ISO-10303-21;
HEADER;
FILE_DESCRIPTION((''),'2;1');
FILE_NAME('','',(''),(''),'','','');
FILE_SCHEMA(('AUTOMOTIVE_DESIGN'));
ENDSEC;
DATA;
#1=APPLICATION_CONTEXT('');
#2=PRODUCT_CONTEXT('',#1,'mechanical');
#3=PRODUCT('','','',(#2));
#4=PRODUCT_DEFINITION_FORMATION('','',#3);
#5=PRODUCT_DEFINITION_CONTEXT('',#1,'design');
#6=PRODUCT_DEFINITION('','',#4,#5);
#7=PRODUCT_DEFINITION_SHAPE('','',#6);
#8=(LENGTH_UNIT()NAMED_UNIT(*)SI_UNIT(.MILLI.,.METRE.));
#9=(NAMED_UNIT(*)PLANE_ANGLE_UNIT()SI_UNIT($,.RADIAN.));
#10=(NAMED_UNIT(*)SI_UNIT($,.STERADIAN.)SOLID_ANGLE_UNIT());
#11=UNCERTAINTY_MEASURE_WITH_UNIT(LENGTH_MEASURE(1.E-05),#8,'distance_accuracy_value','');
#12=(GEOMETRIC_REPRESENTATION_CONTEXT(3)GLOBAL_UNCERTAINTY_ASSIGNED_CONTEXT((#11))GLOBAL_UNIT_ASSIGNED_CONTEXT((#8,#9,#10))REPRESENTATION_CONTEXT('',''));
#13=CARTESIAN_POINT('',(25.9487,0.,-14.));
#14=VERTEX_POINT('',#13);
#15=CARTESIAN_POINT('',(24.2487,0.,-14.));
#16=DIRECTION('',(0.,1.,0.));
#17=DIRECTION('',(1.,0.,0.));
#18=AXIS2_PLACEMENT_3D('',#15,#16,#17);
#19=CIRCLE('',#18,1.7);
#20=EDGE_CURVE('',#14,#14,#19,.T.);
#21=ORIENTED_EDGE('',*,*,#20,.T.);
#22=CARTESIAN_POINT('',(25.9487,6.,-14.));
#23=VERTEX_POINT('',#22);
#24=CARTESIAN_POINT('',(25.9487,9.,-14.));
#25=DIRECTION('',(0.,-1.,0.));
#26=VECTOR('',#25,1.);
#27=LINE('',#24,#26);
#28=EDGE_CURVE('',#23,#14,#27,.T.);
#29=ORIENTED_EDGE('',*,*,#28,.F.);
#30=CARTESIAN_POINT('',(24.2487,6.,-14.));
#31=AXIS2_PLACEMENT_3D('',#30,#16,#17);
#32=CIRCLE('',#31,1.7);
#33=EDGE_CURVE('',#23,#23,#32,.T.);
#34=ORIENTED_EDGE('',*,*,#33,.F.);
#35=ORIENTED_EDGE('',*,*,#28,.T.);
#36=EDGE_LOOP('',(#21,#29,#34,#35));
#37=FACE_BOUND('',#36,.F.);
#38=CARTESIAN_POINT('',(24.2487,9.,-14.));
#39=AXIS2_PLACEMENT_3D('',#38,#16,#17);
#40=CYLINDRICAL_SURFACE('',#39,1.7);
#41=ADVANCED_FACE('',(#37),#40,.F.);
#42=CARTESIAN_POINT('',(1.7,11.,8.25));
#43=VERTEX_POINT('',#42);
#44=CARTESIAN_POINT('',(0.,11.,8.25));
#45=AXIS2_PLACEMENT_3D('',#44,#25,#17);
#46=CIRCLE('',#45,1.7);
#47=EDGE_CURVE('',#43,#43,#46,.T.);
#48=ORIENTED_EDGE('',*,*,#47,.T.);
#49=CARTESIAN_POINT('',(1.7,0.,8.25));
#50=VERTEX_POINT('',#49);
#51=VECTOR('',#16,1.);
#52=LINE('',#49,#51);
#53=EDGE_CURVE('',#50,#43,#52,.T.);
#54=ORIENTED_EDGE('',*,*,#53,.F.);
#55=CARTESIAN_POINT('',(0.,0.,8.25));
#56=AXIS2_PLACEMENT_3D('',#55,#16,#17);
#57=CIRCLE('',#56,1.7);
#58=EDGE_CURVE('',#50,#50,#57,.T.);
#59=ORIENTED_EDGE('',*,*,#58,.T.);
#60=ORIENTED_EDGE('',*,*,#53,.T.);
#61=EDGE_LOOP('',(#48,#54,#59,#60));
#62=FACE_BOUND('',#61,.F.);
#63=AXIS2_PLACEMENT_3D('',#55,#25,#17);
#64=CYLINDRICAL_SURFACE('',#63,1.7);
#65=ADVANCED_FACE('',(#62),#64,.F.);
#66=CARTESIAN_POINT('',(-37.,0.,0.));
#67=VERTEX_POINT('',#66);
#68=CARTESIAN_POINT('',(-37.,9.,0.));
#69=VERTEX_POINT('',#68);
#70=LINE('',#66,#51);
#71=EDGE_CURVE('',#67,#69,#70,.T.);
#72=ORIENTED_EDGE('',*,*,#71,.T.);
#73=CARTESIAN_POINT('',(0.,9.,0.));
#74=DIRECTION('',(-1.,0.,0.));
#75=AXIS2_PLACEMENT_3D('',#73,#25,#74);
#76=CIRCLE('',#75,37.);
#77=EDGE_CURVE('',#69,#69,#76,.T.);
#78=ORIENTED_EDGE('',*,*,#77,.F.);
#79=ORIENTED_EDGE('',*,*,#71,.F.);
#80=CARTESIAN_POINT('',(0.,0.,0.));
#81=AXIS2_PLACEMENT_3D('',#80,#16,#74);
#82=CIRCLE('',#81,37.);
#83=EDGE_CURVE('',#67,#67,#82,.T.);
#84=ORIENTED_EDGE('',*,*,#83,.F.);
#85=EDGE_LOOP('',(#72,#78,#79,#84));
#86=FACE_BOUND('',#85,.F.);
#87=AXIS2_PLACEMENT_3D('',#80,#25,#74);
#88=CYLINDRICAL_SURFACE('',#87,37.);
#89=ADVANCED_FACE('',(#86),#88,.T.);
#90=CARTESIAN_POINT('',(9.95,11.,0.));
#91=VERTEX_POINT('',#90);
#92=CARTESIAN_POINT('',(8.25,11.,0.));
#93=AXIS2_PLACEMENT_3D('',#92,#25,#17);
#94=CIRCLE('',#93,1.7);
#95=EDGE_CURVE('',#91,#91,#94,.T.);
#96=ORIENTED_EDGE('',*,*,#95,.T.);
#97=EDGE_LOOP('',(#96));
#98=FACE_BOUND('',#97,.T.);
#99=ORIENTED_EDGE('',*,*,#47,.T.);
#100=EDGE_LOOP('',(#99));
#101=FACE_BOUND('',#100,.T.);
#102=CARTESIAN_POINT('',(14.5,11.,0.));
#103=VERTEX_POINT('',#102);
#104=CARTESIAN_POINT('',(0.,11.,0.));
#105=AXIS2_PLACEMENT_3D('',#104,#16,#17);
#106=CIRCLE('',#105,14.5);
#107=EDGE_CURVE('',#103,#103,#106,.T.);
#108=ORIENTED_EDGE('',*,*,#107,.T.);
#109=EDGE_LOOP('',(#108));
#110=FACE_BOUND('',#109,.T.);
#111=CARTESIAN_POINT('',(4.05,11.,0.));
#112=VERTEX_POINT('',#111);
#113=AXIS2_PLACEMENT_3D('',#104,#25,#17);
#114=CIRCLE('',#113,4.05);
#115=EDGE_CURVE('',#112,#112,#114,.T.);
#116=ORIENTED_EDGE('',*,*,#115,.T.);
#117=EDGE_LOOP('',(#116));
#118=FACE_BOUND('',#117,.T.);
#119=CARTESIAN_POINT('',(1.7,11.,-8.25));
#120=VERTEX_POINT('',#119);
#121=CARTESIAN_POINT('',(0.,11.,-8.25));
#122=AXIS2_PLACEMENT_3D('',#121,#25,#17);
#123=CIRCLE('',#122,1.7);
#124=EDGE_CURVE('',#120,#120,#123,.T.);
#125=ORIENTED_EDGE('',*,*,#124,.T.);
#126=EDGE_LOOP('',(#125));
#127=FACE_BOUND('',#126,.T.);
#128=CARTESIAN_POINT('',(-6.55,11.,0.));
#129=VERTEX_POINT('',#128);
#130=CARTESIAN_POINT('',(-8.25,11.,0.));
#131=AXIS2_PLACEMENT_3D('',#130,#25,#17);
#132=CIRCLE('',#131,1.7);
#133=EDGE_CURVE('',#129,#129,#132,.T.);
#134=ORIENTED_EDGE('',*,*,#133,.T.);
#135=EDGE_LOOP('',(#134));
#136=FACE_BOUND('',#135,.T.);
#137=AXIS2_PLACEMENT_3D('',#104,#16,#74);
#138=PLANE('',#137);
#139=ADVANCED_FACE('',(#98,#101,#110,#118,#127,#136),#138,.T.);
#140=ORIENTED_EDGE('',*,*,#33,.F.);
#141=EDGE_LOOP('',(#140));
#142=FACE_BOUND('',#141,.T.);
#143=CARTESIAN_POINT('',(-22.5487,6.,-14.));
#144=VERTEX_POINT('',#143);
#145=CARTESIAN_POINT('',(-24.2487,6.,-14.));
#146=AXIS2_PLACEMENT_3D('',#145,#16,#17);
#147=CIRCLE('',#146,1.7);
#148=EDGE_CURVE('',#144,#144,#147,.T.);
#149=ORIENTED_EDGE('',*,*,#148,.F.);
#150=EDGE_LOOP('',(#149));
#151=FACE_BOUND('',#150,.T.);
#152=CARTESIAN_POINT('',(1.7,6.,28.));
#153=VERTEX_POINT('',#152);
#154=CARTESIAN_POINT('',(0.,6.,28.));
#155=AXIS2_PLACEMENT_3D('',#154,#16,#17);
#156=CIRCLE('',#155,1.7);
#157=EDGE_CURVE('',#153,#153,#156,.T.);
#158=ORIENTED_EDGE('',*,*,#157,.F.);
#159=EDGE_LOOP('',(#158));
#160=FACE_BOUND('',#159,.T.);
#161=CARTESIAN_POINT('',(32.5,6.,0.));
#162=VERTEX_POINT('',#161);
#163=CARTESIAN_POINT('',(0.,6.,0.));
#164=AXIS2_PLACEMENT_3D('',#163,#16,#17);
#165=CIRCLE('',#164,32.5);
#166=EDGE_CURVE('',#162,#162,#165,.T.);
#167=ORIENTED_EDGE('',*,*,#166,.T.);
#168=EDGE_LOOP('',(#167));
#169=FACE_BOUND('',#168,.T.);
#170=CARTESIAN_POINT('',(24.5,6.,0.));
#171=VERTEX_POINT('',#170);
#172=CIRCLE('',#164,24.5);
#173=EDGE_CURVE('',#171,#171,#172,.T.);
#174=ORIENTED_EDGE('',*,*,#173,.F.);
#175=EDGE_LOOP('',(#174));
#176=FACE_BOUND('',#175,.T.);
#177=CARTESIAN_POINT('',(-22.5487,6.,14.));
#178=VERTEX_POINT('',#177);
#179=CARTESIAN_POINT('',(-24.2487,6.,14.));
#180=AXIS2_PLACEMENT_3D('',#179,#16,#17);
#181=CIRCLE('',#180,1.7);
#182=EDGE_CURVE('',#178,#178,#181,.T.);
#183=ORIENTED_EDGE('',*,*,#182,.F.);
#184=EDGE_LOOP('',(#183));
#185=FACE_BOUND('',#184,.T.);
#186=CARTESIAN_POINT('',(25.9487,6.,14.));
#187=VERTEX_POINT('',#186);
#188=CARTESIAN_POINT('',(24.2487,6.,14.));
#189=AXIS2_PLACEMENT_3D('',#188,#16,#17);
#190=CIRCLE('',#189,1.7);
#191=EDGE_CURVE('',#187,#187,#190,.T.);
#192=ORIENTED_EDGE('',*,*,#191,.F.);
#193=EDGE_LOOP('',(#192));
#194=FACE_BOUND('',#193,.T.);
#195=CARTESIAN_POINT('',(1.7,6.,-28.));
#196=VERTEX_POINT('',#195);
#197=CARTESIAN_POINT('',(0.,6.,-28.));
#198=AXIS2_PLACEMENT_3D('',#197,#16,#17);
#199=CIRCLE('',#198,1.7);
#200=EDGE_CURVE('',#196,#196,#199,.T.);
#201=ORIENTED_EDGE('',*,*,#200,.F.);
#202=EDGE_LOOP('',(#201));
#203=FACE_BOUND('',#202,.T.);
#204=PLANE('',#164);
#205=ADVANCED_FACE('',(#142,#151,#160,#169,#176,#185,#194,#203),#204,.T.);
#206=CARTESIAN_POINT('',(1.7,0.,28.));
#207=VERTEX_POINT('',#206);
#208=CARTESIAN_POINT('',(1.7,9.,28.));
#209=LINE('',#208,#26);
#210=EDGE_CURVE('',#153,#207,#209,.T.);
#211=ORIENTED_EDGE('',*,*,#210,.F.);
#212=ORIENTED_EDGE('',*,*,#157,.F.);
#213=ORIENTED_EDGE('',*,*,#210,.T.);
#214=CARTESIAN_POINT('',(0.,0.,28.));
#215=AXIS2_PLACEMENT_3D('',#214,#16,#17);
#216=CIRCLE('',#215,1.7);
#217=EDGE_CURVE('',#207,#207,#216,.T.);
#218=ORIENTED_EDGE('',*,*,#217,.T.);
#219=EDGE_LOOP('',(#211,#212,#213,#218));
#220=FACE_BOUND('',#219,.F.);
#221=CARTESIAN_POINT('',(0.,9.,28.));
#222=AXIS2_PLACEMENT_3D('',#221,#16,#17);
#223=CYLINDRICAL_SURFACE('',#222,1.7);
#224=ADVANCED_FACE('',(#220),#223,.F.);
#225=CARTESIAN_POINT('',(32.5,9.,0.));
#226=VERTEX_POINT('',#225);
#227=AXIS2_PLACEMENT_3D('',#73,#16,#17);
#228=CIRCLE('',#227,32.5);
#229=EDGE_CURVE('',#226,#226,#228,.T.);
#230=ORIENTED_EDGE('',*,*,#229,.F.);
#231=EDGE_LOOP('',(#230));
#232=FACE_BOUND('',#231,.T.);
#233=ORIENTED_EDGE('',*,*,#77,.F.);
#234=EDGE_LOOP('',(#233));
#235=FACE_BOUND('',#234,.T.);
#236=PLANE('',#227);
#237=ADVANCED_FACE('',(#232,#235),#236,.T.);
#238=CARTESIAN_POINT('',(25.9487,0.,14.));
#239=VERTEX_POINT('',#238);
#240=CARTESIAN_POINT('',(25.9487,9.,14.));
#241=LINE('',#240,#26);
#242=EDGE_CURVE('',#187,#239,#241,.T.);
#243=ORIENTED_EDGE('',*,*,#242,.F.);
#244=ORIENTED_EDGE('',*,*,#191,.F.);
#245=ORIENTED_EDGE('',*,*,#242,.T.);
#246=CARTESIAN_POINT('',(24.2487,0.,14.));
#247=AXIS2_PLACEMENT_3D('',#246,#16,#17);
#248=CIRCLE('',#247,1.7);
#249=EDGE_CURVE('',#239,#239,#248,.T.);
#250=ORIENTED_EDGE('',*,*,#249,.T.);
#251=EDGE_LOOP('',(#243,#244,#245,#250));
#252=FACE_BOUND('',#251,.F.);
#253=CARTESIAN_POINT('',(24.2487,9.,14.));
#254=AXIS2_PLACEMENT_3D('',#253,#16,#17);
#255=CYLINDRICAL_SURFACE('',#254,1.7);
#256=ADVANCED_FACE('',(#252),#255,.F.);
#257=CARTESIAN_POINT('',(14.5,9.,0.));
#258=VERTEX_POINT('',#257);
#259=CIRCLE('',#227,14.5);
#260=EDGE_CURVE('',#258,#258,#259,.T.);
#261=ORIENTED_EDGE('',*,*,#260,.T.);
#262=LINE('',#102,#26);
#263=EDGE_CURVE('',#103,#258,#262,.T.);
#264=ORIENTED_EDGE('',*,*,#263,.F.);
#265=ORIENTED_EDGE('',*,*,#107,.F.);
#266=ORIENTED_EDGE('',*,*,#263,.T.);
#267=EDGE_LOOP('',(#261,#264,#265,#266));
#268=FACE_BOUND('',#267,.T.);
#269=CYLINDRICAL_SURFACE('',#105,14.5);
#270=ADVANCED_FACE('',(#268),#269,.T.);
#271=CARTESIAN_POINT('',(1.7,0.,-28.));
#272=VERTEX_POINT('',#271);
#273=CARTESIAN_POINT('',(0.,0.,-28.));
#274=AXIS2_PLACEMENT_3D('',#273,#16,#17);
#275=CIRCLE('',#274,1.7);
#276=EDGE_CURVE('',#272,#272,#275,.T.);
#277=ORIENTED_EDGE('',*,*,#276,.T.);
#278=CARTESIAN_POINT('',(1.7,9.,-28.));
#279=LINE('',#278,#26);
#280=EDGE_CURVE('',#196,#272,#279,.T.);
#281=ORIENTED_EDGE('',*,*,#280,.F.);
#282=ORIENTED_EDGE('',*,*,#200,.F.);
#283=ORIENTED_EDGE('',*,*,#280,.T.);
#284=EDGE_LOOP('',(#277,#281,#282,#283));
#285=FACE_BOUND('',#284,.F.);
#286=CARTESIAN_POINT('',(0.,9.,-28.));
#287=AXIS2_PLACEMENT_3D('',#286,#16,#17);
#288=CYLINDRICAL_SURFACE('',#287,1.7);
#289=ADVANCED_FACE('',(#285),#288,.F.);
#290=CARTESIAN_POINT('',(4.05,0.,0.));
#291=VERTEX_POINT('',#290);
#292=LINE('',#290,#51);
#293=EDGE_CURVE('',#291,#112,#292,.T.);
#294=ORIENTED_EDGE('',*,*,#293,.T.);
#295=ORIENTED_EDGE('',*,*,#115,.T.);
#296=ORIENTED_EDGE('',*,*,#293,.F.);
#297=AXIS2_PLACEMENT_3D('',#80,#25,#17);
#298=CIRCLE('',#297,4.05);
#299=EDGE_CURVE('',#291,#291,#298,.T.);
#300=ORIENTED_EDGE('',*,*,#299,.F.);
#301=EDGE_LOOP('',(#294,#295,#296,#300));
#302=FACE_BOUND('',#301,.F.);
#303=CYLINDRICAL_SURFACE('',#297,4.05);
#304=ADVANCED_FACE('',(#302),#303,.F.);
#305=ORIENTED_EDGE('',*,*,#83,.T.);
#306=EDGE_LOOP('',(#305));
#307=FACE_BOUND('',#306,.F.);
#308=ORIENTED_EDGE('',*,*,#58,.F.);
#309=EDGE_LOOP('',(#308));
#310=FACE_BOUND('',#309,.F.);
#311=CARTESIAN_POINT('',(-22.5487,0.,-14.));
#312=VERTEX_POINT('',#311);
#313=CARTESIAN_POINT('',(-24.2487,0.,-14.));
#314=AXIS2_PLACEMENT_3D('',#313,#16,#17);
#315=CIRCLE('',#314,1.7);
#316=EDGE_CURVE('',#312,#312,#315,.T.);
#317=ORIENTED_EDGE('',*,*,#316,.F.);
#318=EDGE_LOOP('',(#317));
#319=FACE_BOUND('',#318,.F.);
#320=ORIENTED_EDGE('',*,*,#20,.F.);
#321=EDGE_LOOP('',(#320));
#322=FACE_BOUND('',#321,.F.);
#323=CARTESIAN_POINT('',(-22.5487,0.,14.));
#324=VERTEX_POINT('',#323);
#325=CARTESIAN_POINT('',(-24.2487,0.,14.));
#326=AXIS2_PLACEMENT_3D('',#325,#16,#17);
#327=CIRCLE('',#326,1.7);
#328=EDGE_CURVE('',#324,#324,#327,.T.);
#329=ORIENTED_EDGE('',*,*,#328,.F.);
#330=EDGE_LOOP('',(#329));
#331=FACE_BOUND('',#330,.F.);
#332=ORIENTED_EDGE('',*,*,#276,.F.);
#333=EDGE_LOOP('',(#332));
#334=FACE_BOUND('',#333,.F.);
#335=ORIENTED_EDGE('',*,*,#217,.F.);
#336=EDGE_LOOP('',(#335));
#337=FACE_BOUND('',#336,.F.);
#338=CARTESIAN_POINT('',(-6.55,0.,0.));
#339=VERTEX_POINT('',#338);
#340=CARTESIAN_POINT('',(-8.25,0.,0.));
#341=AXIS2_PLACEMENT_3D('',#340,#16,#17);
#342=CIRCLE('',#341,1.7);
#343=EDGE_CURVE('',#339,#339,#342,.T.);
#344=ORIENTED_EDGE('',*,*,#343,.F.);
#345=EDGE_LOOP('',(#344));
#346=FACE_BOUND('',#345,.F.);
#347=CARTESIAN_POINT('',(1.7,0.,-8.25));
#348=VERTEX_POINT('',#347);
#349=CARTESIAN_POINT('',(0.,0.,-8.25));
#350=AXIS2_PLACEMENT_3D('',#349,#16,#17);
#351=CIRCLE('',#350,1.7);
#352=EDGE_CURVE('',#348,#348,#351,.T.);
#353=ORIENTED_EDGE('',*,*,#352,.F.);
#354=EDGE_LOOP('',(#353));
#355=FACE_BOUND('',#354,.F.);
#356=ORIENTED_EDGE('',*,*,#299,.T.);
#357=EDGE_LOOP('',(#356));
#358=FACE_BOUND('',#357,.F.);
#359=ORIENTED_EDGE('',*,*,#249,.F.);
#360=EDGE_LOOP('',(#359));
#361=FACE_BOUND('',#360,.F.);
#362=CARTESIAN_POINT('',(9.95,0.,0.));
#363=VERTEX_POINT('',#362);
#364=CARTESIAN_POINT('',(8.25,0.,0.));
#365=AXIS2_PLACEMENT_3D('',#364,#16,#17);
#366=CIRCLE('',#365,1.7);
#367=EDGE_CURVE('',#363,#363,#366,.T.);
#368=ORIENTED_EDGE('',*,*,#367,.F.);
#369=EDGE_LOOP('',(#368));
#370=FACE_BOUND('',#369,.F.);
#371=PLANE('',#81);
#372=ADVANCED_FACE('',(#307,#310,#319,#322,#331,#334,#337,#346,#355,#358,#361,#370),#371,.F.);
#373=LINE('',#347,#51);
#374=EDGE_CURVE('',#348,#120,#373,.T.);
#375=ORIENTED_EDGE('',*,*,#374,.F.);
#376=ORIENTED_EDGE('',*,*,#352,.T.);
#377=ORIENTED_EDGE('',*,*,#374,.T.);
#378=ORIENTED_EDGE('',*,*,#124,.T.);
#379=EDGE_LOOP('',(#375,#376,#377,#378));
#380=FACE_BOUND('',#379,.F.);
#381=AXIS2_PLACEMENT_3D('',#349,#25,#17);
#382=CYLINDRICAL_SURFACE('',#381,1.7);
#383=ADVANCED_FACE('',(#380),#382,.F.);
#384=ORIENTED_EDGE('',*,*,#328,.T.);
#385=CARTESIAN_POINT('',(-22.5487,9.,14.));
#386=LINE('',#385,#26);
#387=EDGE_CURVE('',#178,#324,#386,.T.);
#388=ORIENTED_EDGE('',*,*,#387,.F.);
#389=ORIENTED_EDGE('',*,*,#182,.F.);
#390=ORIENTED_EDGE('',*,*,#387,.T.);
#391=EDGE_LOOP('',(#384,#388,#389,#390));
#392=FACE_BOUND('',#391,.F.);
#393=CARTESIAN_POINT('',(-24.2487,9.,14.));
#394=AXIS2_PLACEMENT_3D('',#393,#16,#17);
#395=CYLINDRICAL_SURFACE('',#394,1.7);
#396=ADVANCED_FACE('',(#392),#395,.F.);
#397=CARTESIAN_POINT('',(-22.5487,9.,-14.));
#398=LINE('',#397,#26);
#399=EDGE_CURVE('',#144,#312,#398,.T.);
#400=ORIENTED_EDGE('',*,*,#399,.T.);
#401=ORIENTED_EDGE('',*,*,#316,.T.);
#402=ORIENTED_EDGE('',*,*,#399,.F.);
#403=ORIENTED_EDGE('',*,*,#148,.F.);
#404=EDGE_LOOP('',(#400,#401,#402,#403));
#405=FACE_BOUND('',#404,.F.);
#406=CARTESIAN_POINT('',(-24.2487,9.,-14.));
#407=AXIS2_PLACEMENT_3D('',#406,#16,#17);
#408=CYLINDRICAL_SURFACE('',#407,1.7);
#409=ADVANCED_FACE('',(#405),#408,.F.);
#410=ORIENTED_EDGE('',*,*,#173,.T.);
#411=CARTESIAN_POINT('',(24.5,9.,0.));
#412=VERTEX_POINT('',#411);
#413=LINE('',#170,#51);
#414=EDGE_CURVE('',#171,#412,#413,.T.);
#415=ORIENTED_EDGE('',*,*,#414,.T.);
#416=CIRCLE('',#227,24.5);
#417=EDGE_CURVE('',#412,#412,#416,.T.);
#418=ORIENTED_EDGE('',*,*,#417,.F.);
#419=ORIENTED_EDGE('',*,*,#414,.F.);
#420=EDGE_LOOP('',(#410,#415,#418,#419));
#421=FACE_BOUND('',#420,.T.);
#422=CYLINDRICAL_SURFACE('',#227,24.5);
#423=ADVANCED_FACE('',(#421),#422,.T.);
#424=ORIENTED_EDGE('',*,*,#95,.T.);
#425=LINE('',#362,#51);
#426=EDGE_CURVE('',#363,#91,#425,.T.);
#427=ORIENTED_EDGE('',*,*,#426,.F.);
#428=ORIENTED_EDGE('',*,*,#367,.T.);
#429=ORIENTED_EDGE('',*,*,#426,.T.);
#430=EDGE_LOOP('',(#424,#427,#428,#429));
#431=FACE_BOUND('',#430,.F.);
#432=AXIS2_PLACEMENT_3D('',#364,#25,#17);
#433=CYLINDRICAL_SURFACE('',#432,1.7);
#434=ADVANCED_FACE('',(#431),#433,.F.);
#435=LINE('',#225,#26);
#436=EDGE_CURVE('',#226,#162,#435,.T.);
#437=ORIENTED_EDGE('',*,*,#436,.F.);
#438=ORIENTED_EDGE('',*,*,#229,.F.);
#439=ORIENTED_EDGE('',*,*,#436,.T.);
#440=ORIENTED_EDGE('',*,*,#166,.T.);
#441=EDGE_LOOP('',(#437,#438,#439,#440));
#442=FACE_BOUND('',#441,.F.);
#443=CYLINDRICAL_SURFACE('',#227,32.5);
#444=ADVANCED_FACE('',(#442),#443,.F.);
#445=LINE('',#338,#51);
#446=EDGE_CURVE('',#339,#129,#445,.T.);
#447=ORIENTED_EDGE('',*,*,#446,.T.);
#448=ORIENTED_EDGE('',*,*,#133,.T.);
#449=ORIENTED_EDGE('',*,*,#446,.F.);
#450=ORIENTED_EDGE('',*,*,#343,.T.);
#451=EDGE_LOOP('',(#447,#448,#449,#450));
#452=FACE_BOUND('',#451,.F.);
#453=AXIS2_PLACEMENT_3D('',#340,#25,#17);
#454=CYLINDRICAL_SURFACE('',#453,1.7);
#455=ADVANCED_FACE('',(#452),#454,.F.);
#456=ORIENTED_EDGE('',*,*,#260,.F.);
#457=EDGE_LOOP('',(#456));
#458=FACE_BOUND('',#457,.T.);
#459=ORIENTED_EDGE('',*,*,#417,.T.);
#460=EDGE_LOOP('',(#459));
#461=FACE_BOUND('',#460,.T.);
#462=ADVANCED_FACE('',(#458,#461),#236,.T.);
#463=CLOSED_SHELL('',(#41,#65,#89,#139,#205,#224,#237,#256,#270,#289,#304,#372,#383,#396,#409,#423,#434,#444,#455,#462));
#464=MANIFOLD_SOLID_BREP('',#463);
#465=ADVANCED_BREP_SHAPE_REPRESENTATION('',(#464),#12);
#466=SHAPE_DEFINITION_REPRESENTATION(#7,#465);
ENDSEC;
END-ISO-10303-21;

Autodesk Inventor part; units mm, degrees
ref_plane "YZ Plane" through (0, 0, 0) normal (1, 0, 0) x (0, 1, 0)
ref_plane "XZ Plane" through (0, 0, 0) normal (0, 1, 0) x (-1, 0, 0)
ref_plane "XY Plane" through (0, 0, 0) normal (0, 0, 1) x (1, 0, 0)
sketch "Boceto1" plane through (0, 0, 0) normal (0, 1, 0) x (-1, 0, 0)
  circle A0 centre (0, 0) radius 37
  dimension "d0" = 74
extrude "Extrusión1" add sketch "Boceto1" along normal blind 11
sketch "Boceto3" plane through (0, 0, 0) normal (0, -1, 0) x (1, 0, 0)
  circle A0 centre (0, 0) radius 8.25
  circle A1 centre (0, 8.25) radius 1.7
  circle A2 centre (8.25, 0) radius 1.7
  circle A3 centre (-8.25, 0) radius 1.7
  circle A4 centre (0, -8.25) radius 1.7
  dimension "d7" = 3.4
  dimension "d8" = 16.5
extrude "Extrusión3" cut sketch "Boceto3" against normal through all contours A0 A2 | A0 A2 | A1 A0 | A0 A1 | A4 A0 | A0 A4 | A3 A0 | A0 A3
sketch "Boceto5" plane through (0, 0, 0) normal (0, -1, 0) x (1, 0, 0)
  circle A0 centre (0, 0) radius 4.05
  dimension "d13" = 8.1
extrude "Extrusión5" cut sketch "Boceto5" against normal through all
sketch "Boceto8" plane through (0, 11, 0) normal (0, 1, 0) x (1, 0, 0)
  circle A0 centre (0, 0) radius 24.5
  circle A1 centre (0, 0) radius 37
  dimension "d25" = 49
  dimension "d26" = 74
extrude "Extrusión8" cut sketch "Boceto8" against normal blind 2
sketch "Boceto14" plane through (0, 9, 0) normal (0, 1, 0) x (1, 0, 0)
  circle A0 centre (0, 0) radius 28
  circle A1 centre (0, 28) radius 1.7
  circle A2 centre (-24.2487, 14) radius 1.7
  circle A3 centre (-24.2487, -14) radius 1.7
  circle A4 centre (0, -28) radius 1.7
  circle A5 centre (24.2487, -14) radius 1.7
  circle A6 centre (24.2487, 14) radius 1.7
  point P0 (-1.6992, -27.9484)
  point P1 (1.6992, -27.9484)
  dimension "d50" = 56
  dimension "d51" = 3.4
  dimension "d54" = 360
extrude "Extrusión12" cut sketch "Boceto14" against normal through all contours A6 A0 | A0 A6 | A5 A0 | A0 A5 | A1 A0 | A0 A1 | A4 A0 | A0 A4 | A2 A0 | A0 A2 | A3 A0 | A0 A3
sketch "Boceto15" plane through (0, 9, 0) normal (0, 1, 0) x (1, 0, 0)
  circle A0 centre (24.2487, 14) radius 1.7 projected
  circle A1 centre (24.2487, 14) radius 3
  circle A2 centre (0, 28) radius 3
  circle A3 centre (-24.2487, 14) radius 3
  circle A4 centre (-24.2487, -14) radius 3
  circle A5 centre (0, -28) radius 3
  circle A6 centre (24.2487, -14) radius 3
  circle A7 centre (0, 0) radius 4.05 projected
  circle A8 centre (0, 0) radius 32.5
  circle A9 centre (0, 0) radius 24.5
  dimension "d58" = 6
  dimension "d61" = 360
  dimension "d63" = 65
extrude "Extrusión13" cut sketch "Boceto15" against normal blind 3 contours A0 | A1 | A2 | A3 | A4 | A5 | A6 | A8
sketch "Boceto16" plane through (0, 11, 0) normal (0, 1, 0) x (1, 0, 0)
  circle A0 centre (0, 0) radius 14.5
  circle A1 centre (0, 0) radius 37
  dimension "d66" = 29
extrude "Extrusión14" cut sketch "Boceto16" against normal blind 2
equation "\"d1\" = Altura"
equation "\"Altura\" = 11"
properties part number "Joint - Primer segmento" material "Plastico PETG"
